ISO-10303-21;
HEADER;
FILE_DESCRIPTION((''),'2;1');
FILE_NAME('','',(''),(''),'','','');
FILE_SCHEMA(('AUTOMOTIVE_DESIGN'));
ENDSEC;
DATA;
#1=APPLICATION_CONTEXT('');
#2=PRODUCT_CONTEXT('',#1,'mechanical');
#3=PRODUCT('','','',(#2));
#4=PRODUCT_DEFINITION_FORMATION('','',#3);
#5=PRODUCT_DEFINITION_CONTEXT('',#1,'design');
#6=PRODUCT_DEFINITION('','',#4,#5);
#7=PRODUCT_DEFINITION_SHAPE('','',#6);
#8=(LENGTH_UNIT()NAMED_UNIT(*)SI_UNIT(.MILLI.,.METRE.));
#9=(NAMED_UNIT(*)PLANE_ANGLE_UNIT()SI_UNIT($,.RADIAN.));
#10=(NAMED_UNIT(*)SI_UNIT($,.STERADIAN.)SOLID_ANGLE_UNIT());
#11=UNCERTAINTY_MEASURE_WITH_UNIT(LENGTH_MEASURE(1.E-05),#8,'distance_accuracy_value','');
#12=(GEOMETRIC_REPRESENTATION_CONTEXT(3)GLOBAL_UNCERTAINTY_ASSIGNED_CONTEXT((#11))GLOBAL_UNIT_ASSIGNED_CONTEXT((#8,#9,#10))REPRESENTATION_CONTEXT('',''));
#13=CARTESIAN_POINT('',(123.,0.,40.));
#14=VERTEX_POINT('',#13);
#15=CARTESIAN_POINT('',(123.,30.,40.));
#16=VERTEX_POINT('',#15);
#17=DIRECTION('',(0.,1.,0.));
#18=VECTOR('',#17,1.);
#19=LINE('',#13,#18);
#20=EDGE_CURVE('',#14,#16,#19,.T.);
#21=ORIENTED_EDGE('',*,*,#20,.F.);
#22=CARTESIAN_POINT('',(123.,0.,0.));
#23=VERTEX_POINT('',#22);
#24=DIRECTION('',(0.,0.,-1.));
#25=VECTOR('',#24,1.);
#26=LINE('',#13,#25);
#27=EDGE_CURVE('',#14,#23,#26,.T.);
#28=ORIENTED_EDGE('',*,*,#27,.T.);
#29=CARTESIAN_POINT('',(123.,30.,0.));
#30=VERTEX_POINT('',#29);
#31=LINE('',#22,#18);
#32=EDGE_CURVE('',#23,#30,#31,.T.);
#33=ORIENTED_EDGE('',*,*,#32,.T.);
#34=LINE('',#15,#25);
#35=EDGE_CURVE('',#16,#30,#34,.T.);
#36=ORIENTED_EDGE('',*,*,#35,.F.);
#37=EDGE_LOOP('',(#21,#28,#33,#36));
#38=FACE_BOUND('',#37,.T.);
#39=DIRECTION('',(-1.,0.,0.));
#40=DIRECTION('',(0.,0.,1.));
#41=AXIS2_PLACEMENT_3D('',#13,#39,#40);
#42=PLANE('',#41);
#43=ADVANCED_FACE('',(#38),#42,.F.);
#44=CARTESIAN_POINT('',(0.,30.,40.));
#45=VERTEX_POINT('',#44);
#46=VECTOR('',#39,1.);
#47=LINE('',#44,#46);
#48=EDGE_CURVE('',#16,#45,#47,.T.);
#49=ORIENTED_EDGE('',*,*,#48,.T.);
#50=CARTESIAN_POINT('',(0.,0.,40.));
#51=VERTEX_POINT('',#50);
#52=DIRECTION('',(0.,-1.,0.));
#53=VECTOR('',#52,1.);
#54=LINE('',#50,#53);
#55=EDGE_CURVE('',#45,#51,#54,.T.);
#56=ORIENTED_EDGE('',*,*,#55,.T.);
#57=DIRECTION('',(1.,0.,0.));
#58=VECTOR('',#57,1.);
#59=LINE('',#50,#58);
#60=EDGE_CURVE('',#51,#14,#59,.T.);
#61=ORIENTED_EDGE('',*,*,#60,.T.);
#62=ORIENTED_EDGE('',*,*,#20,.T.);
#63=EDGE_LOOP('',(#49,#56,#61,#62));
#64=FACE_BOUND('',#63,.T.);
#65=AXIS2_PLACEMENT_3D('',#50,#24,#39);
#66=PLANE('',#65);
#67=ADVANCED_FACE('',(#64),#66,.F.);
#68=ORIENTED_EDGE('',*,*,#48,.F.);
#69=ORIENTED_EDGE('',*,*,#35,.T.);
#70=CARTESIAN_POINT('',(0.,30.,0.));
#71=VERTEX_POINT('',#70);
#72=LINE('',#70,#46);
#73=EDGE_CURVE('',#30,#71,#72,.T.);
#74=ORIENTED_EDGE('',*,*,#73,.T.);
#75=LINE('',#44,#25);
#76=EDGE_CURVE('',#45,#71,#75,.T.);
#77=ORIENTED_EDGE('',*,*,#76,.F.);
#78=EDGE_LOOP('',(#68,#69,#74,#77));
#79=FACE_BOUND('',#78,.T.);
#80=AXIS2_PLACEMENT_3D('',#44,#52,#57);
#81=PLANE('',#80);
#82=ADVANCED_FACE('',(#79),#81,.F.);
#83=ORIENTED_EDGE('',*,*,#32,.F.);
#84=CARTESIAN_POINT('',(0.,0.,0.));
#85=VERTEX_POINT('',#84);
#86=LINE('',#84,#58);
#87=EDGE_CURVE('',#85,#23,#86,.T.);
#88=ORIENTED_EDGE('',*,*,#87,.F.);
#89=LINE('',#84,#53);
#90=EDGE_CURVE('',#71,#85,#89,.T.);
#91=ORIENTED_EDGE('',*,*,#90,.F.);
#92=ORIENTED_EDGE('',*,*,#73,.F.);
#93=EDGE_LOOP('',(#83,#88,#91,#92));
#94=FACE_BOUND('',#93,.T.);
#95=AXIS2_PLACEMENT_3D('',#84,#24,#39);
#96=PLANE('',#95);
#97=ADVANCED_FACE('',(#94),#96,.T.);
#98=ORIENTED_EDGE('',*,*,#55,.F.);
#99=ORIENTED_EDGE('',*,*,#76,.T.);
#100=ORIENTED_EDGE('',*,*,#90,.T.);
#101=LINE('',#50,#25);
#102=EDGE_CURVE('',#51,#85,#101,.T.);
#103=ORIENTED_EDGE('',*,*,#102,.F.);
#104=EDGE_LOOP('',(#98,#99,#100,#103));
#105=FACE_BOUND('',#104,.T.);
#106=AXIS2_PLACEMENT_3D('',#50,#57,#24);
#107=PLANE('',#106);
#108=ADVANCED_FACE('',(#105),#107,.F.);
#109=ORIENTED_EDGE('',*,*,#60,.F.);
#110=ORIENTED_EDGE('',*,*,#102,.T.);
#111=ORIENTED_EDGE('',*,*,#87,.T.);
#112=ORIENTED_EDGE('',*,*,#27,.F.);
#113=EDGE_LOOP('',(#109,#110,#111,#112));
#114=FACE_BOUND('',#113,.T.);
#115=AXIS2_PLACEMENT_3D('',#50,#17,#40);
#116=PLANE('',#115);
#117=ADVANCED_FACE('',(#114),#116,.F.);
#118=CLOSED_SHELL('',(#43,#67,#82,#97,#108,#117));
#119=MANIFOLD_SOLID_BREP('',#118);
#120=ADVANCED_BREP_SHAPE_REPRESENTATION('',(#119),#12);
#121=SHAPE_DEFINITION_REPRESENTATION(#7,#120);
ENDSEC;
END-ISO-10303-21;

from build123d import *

# Parameters (mm, degrees)
SZKIC1_W                    = 123
SZKIC1_H                    = 30
DODANIE_WYCI_GNI_CIE1_DEPTH = 40


with BuildPart() as part:
    # Szkic1 → Dodanie-wyciągnięcie1 (new body)
    with BuildSketch(Plane.XY):
        with Locations((61.5, 15)):
            Rectangle(SZKIC1_W, SZKIC1_H)
    extrude(amount=DODANIE_WYCI_GNI_CIE1_DEPTH)


solid = part.part
